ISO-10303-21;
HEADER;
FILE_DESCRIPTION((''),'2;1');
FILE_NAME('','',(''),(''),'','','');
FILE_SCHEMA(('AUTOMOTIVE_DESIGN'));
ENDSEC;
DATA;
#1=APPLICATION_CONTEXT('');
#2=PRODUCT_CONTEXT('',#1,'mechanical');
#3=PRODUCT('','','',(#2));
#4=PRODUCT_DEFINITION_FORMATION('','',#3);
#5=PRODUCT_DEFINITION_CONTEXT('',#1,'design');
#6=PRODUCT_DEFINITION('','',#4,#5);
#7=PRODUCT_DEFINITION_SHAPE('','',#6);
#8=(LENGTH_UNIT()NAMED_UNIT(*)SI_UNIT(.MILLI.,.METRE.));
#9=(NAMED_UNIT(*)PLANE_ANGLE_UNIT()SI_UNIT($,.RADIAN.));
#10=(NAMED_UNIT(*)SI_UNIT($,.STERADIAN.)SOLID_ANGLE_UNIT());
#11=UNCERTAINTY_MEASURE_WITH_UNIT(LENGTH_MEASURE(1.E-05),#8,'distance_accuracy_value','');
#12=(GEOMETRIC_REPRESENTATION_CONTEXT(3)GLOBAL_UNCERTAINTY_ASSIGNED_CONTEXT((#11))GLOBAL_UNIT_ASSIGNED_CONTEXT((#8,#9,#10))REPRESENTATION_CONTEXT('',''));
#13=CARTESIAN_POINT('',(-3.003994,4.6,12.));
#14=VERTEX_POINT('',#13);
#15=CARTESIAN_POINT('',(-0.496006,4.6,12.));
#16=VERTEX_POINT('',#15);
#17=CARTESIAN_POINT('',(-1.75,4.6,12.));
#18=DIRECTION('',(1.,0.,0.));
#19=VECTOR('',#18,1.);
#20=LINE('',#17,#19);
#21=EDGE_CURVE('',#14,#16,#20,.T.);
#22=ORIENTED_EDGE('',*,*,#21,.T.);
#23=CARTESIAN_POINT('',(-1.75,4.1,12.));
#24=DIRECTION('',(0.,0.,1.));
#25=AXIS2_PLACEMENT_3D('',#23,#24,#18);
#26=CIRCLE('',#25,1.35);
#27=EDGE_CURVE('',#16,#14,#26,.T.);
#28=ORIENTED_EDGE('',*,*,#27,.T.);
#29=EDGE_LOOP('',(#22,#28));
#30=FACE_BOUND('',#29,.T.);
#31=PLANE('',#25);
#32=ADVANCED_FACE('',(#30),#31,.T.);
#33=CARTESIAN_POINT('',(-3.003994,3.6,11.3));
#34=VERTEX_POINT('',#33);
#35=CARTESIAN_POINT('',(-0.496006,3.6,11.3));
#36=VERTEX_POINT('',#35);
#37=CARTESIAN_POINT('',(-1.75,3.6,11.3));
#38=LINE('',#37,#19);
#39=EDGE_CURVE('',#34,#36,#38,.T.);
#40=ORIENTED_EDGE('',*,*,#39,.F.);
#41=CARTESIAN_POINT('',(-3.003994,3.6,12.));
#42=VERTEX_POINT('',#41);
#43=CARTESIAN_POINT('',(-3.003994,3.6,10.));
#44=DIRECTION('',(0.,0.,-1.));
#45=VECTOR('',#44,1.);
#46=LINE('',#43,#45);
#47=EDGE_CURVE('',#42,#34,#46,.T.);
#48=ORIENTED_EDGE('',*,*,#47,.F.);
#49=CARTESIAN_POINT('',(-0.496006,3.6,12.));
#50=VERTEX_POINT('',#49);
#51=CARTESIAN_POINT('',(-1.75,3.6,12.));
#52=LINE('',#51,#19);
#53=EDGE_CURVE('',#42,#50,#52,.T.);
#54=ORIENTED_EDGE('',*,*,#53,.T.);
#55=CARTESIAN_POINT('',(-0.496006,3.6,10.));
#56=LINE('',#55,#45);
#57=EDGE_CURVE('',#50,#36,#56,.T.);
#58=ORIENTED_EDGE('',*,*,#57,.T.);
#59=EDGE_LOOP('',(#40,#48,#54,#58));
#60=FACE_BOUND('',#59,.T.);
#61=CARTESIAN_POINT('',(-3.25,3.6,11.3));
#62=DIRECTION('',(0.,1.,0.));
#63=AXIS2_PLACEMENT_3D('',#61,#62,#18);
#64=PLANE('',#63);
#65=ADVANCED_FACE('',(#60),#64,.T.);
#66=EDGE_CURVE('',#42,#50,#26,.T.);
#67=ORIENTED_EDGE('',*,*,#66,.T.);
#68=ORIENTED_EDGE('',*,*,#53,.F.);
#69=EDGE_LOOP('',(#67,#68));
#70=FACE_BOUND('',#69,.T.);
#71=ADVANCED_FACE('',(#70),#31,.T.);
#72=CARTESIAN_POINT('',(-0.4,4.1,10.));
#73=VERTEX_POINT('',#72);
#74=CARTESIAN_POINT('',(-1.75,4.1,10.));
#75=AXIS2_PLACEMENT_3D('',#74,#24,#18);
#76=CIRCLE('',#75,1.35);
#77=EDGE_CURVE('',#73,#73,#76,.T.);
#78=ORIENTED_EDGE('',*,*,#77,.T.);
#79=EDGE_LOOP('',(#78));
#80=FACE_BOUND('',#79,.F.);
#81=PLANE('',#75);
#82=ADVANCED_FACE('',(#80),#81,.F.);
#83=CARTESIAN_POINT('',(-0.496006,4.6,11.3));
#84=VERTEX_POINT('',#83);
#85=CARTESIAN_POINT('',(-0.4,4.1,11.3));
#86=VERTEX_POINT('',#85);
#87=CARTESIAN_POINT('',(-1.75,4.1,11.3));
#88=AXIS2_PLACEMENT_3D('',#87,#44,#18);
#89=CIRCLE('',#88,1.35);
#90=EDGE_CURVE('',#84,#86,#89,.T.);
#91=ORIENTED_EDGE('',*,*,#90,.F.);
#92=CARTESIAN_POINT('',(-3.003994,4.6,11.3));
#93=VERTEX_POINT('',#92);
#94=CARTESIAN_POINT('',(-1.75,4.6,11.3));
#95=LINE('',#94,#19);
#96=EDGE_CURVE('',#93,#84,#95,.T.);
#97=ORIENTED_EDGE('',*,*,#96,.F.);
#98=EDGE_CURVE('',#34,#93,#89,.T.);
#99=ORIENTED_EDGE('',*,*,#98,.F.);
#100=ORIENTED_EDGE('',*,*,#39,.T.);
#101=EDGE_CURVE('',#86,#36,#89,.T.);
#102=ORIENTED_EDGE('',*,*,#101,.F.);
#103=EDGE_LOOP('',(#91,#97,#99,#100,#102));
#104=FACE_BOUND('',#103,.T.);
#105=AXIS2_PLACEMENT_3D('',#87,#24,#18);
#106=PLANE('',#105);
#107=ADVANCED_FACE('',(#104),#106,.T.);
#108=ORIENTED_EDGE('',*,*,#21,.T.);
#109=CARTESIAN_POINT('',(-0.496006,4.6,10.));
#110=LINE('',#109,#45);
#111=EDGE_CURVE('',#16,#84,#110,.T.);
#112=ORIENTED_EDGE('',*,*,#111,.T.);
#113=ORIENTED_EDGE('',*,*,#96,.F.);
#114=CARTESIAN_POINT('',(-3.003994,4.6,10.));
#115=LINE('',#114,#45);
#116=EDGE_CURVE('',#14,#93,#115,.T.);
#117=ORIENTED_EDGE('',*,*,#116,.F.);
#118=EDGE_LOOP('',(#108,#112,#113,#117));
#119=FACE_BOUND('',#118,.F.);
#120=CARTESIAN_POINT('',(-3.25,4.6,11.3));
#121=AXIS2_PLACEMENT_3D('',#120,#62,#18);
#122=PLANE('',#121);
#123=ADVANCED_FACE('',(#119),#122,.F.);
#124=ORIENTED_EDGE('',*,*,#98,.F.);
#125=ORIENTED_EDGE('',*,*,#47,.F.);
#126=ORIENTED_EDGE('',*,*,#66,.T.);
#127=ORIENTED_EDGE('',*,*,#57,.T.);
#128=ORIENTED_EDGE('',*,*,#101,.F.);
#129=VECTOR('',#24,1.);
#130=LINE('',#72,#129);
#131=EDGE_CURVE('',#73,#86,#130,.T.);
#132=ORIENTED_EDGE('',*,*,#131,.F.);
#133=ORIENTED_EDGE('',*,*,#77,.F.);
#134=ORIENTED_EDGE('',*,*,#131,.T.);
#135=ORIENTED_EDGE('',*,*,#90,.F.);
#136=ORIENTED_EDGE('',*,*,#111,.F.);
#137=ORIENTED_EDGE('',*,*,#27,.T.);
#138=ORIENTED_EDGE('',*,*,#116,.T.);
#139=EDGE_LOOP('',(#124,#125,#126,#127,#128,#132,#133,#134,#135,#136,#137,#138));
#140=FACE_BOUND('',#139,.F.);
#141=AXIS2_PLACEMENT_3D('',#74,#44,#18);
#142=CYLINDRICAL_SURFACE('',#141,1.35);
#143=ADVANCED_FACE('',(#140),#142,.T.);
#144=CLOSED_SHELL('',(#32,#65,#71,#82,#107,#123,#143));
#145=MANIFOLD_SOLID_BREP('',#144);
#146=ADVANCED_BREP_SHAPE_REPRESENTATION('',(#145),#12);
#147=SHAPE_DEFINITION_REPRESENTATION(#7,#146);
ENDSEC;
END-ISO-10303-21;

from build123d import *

# Parameters (mm, degrees)
BOX009_W          = 3
BOX009_H          = 1
BOX009_DEPTH      = 0.7
CYLINDER005_R     = 1.35
CYLINDER005_DEPTH = 2


with BuildPart() as cube005:
    # Box009 → Box009 (new body)
    with BuildSketch(Plane(origin=(-1.5, -0.5, 1.3), x_dir=(1, 0, 0), z_dir=(0, 0, 1))):
        with Locations((1.5, 0.5)):
            Rectangle(BOX009_W, BOX009_H)
    extrude(amount=BOX009_DEPTH)


with BuildPart() as cut009:
    # Cylinder005 → Cylinder005 (new body)
    with BuildSketch(Plane.XY):
        Circle(CYLINDER005_R)
    extrude(amount=CYLINDER005_DEPTH)

    # Cut009: cut Cube005
    add(cube005.part, mode=Mode.SUBTRACT)


with BuildPart() as cut009_1:
    # Cut009 placement: moved
    add(cut009.part.moved(Location((-1.75, 4.1, 10))))


solid = cut009_1.part
